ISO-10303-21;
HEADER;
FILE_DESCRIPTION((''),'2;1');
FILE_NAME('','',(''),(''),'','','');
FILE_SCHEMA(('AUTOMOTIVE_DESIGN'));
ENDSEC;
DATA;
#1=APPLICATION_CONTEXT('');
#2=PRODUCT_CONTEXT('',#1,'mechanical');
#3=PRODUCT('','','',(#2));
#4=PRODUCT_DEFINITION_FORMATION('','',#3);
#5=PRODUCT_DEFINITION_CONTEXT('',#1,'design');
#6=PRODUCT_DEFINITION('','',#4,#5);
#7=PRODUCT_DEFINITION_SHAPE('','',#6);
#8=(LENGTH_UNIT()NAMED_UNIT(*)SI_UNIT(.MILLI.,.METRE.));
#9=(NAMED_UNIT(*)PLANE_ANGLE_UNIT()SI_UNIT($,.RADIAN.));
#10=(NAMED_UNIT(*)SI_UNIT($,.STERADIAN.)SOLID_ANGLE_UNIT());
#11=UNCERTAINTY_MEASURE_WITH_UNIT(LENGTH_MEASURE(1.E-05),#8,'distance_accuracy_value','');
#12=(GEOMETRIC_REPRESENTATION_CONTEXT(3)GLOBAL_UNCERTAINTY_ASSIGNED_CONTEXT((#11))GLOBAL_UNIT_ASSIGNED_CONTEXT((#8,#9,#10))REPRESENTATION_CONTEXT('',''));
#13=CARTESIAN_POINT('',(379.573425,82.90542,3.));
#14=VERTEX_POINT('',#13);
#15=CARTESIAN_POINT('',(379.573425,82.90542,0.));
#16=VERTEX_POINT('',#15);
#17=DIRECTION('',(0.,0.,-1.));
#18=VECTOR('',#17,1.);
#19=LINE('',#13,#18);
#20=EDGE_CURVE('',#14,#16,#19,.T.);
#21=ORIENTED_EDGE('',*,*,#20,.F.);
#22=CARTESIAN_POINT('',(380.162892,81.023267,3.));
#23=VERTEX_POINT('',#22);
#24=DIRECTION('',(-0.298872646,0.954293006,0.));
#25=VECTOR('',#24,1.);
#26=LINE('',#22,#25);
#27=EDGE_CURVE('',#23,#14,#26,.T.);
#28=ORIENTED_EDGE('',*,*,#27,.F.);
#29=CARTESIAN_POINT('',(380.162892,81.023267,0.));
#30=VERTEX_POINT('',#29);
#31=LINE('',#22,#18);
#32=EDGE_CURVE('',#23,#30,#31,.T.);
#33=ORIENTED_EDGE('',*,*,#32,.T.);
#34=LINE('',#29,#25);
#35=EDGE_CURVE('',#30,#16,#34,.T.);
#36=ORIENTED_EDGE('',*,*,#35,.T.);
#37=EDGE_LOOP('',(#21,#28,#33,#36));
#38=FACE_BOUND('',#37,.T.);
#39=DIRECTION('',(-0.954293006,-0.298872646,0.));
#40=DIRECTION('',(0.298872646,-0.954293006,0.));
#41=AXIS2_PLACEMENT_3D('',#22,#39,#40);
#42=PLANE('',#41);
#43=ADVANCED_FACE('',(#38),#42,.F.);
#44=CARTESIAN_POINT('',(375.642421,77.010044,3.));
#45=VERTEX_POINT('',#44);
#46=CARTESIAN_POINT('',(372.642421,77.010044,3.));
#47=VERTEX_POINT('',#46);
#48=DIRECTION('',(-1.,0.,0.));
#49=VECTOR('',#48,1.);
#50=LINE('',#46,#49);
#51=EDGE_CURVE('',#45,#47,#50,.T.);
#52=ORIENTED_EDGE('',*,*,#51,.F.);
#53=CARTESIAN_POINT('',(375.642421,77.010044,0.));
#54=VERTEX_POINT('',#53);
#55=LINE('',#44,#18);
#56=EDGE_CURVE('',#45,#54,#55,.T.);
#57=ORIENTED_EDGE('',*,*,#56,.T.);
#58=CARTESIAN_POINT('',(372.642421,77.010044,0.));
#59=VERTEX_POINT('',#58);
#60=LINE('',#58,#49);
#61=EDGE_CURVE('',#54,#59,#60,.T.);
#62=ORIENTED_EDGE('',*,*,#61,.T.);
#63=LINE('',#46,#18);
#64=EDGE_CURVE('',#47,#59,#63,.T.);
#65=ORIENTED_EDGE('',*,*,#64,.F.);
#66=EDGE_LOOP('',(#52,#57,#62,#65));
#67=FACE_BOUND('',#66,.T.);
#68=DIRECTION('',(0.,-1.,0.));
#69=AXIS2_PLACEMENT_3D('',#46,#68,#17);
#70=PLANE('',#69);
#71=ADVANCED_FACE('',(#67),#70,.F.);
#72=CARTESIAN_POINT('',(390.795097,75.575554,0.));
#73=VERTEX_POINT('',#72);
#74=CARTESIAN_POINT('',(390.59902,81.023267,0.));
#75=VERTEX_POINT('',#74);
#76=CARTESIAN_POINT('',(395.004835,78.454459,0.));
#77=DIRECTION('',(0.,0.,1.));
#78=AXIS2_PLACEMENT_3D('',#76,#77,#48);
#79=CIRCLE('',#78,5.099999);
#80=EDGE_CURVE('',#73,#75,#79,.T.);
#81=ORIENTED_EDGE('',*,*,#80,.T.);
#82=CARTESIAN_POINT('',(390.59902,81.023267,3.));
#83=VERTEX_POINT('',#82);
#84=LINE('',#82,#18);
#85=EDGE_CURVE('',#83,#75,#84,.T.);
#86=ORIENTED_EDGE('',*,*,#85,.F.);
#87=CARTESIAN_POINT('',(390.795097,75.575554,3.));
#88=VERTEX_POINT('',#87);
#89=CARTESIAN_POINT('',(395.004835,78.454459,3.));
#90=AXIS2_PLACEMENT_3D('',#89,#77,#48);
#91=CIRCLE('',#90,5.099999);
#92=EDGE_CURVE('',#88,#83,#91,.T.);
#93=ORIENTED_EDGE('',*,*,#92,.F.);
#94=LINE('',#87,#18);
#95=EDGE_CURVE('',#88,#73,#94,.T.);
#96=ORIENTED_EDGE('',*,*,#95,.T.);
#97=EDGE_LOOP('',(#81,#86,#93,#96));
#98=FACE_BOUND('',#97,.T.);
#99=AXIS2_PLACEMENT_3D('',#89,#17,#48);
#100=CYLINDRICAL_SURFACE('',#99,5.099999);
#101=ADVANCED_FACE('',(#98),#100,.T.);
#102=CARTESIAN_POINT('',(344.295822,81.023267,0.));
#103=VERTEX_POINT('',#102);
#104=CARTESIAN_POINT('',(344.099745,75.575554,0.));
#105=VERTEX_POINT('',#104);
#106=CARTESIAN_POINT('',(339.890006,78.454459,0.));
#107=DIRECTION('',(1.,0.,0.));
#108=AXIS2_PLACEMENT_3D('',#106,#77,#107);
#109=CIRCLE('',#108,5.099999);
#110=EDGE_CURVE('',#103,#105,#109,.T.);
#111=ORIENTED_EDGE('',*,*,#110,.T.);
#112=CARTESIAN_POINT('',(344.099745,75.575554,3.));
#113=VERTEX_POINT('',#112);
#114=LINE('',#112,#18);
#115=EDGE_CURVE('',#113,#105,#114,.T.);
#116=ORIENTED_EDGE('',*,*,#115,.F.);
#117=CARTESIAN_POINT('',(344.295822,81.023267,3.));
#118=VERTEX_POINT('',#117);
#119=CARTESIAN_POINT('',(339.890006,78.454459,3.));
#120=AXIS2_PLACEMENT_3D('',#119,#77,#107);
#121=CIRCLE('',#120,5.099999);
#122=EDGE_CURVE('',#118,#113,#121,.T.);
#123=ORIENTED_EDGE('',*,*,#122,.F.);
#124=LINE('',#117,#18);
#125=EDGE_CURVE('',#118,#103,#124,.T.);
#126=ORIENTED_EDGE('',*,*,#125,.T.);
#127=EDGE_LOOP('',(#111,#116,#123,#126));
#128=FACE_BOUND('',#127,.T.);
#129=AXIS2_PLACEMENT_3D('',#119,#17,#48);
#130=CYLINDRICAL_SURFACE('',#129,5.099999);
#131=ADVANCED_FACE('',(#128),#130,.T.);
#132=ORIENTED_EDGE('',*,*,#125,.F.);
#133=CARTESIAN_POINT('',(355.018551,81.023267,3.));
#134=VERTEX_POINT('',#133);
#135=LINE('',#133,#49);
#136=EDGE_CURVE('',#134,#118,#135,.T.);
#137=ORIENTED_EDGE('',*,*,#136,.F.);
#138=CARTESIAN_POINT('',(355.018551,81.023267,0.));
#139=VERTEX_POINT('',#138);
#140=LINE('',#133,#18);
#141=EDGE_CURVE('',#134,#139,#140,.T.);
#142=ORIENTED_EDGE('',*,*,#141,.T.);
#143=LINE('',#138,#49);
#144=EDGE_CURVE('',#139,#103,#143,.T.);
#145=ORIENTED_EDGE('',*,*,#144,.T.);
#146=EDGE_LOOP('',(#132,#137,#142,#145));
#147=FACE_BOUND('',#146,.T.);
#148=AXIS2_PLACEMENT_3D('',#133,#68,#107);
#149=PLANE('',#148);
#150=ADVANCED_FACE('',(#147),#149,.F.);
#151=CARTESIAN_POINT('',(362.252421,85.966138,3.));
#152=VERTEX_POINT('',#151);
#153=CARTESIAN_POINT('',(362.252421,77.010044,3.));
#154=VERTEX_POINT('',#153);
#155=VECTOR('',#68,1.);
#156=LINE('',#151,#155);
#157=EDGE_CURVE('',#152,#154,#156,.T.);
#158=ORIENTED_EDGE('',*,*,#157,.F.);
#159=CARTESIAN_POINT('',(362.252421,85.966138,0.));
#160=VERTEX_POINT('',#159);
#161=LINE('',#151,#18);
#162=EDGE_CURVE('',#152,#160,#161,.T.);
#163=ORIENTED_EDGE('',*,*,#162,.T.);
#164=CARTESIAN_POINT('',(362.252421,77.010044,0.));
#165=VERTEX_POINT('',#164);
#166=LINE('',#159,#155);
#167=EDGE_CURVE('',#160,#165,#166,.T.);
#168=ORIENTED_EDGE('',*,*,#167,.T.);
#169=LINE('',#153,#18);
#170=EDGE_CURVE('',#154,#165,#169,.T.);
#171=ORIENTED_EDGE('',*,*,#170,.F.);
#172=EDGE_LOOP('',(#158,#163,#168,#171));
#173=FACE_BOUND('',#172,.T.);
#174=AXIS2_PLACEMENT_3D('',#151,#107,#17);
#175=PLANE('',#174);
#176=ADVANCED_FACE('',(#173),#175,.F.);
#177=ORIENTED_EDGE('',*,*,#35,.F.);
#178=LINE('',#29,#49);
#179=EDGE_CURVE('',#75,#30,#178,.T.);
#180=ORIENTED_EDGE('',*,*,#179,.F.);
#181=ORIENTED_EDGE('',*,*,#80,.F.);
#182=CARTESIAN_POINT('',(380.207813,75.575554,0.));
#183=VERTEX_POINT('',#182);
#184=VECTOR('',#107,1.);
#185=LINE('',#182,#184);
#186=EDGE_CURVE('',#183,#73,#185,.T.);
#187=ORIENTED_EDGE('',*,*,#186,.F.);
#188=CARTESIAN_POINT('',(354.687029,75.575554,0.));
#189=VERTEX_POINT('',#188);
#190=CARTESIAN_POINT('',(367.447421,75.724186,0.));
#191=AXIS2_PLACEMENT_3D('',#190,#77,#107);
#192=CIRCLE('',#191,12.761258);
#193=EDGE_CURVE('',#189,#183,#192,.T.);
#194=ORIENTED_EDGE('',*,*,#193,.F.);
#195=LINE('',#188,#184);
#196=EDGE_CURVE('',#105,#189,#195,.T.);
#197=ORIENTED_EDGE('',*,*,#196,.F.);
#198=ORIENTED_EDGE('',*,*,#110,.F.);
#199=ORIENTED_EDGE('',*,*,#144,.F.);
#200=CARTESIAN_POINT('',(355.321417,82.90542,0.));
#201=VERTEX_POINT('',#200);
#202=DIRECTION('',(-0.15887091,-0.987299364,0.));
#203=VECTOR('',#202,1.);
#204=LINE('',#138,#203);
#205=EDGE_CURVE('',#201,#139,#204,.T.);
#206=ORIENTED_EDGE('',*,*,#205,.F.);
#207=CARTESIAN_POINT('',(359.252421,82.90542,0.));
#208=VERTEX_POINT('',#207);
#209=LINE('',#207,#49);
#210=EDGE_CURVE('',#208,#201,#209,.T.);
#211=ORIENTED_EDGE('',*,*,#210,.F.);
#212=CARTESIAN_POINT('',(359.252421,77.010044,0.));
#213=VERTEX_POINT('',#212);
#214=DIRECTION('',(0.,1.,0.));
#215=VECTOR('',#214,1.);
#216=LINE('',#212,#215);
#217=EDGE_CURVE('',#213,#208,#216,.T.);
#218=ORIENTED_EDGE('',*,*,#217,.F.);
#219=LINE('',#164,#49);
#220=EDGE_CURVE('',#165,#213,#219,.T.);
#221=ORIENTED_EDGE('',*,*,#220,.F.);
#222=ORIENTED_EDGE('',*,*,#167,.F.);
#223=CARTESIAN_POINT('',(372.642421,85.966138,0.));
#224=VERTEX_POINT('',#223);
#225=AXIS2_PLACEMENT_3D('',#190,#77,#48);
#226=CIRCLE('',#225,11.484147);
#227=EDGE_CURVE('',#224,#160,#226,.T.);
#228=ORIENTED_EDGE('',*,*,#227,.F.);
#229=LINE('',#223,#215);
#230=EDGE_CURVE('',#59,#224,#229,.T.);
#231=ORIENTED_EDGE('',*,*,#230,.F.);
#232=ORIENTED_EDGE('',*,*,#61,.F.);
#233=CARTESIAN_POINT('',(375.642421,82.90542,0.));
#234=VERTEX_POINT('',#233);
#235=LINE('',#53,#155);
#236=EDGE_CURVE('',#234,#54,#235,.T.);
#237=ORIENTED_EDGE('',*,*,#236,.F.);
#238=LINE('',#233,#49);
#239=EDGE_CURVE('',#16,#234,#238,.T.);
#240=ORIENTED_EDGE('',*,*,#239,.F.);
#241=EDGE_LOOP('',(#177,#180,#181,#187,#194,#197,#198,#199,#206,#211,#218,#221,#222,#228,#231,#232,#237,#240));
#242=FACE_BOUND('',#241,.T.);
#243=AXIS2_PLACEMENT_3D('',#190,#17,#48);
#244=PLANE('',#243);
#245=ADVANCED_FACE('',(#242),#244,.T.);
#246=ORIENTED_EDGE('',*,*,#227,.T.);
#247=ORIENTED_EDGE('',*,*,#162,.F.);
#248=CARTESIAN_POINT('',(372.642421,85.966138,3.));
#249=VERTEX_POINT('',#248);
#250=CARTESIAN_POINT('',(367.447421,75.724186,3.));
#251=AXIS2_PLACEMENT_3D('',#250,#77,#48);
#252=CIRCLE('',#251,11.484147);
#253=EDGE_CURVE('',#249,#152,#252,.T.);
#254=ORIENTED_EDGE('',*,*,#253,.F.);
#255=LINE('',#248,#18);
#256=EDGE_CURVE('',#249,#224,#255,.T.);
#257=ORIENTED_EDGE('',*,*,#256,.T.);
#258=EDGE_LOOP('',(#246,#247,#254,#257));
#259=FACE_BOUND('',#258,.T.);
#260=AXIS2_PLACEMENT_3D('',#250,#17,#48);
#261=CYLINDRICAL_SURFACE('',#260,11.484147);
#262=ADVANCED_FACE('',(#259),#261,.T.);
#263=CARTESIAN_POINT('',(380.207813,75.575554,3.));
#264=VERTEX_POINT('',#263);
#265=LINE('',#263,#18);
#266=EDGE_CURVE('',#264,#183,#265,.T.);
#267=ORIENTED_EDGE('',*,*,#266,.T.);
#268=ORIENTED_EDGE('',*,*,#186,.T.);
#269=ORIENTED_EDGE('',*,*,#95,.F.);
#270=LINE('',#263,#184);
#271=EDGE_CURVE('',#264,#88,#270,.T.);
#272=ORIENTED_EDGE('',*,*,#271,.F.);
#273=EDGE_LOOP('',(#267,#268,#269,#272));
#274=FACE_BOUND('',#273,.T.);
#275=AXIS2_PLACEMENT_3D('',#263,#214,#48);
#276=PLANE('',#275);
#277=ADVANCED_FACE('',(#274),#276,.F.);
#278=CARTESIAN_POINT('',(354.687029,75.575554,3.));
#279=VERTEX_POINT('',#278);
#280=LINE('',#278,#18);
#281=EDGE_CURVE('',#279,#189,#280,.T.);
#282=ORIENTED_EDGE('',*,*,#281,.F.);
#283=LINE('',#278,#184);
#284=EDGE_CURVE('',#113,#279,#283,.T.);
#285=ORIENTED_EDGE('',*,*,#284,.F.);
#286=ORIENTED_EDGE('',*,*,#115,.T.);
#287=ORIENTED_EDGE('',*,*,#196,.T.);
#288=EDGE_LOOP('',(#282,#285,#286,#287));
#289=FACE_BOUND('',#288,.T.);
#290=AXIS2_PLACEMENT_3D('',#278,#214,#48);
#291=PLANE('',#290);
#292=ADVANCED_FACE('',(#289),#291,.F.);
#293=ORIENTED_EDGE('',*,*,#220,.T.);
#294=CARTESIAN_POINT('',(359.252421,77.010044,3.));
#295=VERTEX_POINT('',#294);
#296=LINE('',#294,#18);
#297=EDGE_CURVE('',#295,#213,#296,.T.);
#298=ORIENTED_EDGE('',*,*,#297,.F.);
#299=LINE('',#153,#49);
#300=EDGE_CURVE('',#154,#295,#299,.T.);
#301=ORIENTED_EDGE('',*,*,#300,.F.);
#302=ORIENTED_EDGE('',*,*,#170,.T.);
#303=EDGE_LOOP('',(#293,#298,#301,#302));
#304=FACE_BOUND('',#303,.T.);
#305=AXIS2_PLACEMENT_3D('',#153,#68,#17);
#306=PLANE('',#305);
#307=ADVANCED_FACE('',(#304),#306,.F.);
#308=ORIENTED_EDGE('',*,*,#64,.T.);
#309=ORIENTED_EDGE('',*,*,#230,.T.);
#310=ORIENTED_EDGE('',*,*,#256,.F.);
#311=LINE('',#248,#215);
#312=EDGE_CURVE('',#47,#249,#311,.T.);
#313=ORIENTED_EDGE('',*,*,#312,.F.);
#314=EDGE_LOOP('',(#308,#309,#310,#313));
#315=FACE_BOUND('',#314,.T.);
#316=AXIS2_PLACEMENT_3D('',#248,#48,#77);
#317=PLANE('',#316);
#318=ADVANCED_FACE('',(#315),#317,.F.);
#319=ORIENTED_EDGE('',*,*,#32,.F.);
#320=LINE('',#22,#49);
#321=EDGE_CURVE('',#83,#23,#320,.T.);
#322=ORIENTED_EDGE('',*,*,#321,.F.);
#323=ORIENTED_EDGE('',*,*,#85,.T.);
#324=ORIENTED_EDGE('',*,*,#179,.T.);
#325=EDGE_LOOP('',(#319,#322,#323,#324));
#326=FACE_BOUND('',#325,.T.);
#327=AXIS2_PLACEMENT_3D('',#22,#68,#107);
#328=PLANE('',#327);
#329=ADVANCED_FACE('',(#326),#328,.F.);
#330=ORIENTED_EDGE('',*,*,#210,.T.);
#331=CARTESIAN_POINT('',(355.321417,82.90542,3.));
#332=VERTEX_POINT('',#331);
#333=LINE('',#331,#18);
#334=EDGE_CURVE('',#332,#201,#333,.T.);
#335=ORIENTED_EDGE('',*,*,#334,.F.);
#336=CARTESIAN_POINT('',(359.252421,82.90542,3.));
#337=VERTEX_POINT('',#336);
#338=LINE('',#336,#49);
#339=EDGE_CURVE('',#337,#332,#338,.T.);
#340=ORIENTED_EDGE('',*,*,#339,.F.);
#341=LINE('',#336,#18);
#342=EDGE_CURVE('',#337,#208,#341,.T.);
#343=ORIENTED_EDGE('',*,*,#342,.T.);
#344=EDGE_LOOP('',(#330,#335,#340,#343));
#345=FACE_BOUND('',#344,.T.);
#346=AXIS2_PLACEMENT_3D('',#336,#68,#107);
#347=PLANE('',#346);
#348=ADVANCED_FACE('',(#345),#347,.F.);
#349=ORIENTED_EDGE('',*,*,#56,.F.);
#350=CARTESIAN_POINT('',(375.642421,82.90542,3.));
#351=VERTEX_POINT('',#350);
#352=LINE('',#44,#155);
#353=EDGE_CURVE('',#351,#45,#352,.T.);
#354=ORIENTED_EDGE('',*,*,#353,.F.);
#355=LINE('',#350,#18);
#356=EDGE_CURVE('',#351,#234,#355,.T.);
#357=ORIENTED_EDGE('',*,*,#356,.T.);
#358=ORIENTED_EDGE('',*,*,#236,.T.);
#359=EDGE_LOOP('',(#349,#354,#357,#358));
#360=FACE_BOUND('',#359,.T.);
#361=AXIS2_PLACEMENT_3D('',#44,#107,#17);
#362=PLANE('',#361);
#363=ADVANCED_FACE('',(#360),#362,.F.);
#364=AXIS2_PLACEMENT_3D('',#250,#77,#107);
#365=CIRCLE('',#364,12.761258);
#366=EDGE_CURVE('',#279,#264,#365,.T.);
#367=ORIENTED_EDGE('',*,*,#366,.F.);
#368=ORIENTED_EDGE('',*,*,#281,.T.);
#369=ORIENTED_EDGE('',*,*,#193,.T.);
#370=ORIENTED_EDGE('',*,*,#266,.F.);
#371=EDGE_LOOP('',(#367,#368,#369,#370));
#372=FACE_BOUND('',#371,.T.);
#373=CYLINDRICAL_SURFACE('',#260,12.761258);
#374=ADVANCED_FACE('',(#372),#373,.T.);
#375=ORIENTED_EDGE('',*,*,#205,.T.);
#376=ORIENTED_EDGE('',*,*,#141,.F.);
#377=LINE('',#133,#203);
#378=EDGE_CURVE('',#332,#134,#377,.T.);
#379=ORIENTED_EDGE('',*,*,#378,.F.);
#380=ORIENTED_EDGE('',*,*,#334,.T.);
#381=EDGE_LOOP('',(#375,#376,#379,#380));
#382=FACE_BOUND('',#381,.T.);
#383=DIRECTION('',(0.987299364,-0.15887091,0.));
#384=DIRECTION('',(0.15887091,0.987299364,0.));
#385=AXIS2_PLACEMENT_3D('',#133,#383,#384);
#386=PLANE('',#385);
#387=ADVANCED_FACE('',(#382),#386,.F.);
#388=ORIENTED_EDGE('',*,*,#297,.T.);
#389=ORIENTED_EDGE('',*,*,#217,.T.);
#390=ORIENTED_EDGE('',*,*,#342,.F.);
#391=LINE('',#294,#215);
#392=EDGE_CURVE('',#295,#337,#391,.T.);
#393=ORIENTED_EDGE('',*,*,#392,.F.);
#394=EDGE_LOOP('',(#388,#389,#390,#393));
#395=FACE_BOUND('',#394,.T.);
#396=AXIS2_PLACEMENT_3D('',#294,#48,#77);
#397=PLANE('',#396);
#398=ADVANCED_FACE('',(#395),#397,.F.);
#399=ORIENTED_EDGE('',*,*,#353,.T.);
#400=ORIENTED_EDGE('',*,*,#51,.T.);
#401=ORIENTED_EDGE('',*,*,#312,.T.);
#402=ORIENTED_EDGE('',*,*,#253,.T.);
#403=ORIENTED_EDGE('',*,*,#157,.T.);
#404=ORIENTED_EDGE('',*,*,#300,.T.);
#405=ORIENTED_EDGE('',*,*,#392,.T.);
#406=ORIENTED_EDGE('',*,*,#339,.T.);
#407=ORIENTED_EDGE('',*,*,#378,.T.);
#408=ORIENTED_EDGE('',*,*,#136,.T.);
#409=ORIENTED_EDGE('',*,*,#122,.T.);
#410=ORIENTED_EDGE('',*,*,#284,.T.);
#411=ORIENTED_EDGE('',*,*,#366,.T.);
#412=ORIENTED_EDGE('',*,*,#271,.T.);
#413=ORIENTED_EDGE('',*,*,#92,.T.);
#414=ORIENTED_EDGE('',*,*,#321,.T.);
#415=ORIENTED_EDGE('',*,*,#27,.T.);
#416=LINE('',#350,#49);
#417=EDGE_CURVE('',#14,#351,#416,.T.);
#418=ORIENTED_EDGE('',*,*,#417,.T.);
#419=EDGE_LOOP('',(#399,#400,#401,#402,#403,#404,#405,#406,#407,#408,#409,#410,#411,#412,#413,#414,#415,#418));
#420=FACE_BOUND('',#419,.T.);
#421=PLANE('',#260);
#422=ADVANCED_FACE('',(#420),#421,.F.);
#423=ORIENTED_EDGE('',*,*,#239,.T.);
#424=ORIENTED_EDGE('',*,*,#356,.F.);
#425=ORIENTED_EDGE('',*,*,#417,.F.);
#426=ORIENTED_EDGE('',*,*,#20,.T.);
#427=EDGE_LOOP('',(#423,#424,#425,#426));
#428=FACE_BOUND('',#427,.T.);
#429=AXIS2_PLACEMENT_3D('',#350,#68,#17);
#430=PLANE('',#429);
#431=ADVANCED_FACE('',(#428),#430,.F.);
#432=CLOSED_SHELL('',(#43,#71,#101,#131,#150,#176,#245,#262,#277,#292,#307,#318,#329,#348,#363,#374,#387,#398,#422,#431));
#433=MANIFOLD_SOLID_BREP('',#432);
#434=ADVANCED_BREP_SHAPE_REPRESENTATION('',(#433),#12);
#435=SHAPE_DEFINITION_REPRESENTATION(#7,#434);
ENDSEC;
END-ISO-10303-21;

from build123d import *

# Parameters (mm, degrees)
BASE_EXTRUDE_DEPTH = 3


with BuildPart() as part:
    # Sketch1 → Base-Extrude (new body)
    with BuildSketch(Plane.XY):
        with BuildLine():
            Line((380.162891568, 81.023267436), (390.599019838, 81.023267436))
            ThreePointArc((390.599019838, 81.023267436), (400.101534094, 78.637901495), (390.795096715, 75.575554167))
            Line((390.795096715, 75.575554167), (380.207812671, 75.575554167))
            ThreePointArc((380.207812671, 75.575554167), (367.447420728, 62.962928121), (354.687028785, 75.575554167))
            Line((354.687028785, 75.575554167), (344.099744741, 75.575554167))
            ThreePointArc((344.099744741, 75.575554167), (334.793307361, 78.637901495), (344.295821617, 81.023267436))
            Line((344.295821617, 81.023267436), (355.018550657, 81.023267436))
            Line((355.018550657, 81.023267436), (355.321416521, 82.905419895))
            Line((355.321416521, 82.905419895), (359.252420728, 82.905419895))
            Line((359.252420728, 82.905419895), (359.252420728, 77.010044337))
            Line((359.252420728, 77.010044337), (362.252420728, 77.010044337))
            Line((362.252420728, 77.010044337), (362.252420728, 85.966138483))
            ThreePointArc((362.252420728, 85.966138483), (367.447420728, 87.208332237), (372.642420728, 85.966138483))
            Line((372.642420728, 85.966138483), (372.642420728, 77.010044337))
            Line((372.642420728, 77.010044337), (375.642420728, 77.010044337))
            Line((375.642420728, 77.010044337), (375.642420728, 82.905419895))
            Line((375.642420728, 82.905419895), (379.573424935, 82.905419895))
            Line((379.573424935, 82.905419895), (380.162891568, 81.023267436))
        make_face()
    extrude(amount=BASE_EXTRUDE_DEPTH)


solid = part.part
